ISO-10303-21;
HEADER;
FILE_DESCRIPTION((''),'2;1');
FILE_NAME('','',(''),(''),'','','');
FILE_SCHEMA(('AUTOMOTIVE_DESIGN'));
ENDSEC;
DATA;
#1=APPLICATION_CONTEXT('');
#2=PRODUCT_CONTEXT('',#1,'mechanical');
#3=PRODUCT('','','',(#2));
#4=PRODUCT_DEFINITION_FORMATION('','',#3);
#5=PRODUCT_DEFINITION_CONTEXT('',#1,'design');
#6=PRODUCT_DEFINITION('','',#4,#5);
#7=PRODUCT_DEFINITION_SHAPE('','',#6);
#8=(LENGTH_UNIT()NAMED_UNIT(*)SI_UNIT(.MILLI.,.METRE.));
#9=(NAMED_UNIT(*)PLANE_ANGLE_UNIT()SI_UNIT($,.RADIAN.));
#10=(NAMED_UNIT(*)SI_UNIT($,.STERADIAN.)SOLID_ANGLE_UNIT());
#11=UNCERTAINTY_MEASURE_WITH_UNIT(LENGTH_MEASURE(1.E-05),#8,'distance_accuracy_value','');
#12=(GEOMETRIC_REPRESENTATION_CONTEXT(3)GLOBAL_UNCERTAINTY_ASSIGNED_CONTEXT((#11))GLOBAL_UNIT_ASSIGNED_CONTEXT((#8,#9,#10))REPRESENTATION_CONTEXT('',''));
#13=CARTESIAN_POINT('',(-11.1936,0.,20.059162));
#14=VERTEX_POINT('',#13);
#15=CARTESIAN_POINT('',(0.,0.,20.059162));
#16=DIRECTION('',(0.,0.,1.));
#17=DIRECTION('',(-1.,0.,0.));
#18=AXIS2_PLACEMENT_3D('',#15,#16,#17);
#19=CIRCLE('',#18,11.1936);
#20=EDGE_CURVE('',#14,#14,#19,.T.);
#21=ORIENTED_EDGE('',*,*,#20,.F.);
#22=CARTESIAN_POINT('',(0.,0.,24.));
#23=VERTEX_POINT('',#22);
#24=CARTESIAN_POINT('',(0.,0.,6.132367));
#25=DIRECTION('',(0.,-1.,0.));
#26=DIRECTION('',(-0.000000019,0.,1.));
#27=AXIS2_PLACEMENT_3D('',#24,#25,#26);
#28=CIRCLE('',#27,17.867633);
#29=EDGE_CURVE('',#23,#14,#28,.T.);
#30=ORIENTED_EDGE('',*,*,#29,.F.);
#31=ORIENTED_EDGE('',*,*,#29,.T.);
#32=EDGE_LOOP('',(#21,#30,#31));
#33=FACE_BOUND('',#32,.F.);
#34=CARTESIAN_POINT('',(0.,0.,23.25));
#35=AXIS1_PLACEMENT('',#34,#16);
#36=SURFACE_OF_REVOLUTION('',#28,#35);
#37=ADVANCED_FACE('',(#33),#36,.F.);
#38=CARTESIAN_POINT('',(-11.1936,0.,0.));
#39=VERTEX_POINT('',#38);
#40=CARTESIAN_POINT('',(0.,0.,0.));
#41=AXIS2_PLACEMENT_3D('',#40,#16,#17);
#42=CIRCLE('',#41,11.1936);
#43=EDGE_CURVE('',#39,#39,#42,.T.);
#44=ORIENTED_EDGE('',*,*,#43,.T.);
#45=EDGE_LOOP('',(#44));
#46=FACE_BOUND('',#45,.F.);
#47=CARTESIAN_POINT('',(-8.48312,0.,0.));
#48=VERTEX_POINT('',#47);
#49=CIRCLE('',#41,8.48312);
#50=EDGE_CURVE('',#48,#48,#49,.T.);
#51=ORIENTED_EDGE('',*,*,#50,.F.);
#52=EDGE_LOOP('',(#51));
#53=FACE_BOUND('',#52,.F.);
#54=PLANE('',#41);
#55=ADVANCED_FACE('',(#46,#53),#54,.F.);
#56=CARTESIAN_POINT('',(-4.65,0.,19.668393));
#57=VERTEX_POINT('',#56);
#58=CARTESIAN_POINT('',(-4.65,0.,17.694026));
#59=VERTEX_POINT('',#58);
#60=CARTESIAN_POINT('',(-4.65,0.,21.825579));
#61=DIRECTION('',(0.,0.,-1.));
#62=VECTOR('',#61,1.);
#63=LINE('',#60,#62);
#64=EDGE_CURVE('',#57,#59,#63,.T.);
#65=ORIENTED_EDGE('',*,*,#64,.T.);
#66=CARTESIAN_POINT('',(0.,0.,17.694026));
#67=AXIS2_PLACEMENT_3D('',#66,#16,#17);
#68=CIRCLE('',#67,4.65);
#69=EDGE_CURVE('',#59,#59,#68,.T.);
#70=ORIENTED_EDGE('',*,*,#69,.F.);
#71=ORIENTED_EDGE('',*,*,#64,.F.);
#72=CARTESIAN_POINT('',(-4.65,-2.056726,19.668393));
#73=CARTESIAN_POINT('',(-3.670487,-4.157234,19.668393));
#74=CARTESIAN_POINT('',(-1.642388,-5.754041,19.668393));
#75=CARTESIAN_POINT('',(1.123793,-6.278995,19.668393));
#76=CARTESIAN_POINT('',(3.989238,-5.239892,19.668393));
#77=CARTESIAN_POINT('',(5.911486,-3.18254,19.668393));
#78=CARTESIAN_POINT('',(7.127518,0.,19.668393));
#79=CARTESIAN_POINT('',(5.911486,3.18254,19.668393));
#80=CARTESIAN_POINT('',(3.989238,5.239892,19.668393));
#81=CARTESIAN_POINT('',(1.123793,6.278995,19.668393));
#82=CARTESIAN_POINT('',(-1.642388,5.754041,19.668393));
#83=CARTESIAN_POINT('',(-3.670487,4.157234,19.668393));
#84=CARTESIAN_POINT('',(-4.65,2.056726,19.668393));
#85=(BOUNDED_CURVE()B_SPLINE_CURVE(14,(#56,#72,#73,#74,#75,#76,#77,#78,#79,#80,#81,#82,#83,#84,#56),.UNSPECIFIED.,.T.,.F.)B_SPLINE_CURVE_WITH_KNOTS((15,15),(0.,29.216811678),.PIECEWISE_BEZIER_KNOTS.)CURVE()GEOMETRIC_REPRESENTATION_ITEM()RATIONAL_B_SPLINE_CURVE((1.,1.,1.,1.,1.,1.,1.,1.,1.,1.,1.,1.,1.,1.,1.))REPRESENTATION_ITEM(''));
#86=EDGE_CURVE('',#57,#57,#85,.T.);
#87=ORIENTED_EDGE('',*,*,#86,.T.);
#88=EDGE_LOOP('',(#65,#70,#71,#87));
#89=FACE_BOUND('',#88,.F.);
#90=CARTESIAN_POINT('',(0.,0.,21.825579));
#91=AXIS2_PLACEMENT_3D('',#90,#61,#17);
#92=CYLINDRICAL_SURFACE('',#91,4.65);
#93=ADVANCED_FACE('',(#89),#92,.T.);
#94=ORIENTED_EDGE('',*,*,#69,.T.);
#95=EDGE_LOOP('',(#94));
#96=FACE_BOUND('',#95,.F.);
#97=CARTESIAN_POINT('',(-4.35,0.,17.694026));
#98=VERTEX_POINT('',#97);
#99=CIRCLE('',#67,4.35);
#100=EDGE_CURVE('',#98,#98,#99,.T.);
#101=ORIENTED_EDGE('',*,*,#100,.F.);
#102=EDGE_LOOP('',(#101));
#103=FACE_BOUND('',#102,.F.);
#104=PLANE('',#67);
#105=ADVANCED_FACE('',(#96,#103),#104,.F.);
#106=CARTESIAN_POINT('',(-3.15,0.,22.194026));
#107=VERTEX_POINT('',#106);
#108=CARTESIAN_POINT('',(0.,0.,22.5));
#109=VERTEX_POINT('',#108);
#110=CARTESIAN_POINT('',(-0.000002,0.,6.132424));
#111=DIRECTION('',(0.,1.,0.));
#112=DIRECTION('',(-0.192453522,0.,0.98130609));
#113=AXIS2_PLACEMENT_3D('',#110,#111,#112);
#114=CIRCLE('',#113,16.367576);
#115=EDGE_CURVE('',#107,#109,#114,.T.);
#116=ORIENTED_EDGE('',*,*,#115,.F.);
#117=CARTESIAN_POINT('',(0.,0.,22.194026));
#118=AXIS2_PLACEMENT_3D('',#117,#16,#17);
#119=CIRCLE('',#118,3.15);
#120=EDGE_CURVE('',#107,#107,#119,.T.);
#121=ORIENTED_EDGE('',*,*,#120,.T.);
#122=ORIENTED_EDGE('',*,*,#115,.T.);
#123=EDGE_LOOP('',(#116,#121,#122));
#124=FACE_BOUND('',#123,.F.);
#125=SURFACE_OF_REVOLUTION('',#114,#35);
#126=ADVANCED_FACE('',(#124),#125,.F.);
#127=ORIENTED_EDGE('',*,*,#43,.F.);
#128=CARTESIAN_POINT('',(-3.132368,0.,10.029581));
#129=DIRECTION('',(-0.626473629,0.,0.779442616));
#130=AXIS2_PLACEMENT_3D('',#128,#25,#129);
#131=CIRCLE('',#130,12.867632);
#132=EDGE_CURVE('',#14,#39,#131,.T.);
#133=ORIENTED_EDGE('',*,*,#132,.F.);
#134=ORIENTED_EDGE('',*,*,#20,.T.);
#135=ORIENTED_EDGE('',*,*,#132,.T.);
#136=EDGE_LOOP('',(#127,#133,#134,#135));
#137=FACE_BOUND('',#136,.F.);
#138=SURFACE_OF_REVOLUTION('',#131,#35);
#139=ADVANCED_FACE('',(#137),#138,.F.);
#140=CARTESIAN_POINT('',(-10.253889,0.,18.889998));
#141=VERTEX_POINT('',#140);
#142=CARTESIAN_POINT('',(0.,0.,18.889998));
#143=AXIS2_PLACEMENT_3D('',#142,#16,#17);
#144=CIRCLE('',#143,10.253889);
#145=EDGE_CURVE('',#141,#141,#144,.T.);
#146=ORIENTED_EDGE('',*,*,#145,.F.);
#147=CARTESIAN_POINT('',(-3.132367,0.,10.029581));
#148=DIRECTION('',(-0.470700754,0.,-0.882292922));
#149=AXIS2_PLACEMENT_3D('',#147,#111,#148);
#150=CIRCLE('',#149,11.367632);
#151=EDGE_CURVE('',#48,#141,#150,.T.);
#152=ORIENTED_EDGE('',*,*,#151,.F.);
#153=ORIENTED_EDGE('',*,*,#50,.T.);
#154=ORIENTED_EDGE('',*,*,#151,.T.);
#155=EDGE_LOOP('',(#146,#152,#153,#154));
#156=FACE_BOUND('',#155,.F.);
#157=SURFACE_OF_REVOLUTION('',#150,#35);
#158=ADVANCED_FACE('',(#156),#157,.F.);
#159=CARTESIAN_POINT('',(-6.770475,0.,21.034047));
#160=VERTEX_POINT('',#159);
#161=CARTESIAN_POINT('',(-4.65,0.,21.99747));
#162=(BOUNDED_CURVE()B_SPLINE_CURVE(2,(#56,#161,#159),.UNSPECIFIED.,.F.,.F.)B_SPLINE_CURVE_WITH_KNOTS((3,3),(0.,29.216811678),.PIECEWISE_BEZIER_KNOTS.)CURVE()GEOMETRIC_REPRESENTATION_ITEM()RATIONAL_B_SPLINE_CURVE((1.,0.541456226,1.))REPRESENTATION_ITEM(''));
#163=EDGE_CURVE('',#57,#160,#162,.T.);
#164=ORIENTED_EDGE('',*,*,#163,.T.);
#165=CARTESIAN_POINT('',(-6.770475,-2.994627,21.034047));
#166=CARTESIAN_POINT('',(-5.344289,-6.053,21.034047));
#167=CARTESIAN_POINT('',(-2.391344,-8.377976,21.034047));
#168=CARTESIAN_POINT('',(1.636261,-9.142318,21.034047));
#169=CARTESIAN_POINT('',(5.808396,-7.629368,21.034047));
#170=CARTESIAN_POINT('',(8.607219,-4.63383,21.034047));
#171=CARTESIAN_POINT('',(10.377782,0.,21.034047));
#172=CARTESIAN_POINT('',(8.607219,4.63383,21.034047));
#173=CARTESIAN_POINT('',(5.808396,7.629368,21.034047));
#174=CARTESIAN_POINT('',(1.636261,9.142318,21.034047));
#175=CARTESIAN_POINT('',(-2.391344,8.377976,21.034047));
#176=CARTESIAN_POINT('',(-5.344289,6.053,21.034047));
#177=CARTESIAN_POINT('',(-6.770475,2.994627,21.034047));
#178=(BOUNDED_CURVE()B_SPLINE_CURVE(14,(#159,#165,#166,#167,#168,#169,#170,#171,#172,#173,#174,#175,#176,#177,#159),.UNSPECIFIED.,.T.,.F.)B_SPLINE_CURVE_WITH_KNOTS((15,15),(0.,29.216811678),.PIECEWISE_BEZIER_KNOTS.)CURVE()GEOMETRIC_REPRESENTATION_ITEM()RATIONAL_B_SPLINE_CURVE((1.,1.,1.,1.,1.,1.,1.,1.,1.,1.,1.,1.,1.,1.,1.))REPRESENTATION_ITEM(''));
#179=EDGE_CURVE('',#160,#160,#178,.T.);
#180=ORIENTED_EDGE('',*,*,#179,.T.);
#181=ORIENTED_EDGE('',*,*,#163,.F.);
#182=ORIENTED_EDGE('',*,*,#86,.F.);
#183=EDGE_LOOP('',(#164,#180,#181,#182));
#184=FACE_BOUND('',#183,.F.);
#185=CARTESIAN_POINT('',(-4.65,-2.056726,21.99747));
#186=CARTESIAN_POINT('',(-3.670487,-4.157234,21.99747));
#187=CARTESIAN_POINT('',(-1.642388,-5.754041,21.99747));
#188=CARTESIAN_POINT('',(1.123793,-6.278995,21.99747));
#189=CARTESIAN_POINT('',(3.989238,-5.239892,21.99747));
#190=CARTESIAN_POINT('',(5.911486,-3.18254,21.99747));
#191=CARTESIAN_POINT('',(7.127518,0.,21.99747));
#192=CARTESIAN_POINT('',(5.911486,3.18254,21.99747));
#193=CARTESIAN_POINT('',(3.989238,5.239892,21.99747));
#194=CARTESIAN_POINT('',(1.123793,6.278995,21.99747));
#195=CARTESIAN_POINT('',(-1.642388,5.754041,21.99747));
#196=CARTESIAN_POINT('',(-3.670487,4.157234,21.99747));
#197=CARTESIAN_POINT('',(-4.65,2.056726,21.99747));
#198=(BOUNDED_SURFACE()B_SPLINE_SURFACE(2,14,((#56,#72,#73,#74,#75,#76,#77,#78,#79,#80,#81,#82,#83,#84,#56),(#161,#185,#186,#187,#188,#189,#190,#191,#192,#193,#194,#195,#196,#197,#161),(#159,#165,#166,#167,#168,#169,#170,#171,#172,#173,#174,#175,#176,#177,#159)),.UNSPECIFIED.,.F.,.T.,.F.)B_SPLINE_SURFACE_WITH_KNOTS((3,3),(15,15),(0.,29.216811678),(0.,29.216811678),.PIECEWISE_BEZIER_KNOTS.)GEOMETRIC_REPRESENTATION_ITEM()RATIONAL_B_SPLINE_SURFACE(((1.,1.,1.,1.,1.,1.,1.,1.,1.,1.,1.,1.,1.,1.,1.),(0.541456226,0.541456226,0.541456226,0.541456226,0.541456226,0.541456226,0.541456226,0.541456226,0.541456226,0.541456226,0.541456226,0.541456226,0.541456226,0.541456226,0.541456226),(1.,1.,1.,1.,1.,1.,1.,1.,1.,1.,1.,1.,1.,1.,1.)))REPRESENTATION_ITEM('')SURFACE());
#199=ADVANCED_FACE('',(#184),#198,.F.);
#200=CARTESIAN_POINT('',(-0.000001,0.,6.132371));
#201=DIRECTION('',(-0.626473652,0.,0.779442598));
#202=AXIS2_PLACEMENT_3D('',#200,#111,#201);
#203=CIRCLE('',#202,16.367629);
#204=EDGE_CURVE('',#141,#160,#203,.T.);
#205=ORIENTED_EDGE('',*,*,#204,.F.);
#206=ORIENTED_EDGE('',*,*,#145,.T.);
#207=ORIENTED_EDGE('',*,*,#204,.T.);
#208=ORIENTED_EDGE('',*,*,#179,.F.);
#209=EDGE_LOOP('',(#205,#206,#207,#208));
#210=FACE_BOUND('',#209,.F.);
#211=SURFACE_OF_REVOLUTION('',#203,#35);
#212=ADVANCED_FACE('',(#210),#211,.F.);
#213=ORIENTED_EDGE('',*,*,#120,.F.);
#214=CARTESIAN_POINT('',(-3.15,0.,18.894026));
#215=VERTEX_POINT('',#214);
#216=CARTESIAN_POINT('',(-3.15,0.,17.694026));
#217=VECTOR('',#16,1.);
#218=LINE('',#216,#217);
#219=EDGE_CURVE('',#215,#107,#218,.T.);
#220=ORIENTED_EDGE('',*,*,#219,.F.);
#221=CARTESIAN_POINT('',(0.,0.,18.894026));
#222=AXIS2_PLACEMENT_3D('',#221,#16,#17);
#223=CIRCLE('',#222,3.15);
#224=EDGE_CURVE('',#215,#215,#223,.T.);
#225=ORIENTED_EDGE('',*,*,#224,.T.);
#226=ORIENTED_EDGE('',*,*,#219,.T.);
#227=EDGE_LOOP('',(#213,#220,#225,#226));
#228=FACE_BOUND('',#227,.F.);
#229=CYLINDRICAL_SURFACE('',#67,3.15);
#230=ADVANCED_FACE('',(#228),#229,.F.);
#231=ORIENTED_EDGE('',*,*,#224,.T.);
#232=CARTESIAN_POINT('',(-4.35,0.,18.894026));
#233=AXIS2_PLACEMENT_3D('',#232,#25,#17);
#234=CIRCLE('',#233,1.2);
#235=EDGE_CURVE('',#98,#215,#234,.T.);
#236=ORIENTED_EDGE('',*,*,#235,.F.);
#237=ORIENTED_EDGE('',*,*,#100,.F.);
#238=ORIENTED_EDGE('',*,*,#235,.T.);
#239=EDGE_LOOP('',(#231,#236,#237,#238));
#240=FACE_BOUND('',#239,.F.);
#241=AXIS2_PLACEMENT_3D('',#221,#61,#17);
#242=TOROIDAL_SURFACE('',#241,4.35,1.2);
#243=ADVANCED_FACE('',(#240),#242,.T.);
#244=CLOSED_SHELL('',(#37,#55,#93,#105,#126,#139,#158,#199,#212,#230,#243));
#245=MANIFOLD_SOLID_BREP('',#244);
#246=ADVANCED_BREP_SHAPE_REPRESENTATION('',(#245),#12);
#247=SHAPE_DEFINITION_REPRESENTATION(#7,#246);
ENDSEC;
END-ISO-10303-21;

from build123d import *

# Parameters (mm, degrees)
F2_R = 1.2
F3_R = 1.5


with BuildPart() as f1:
    # F0 (on Front) → F1 (revolve)
    with BuildSketch(Plane.XZ):
        with BuildLine():
            ThreePointArc((-3.15, 22.194026), (-3.904349, 22.027506), (-4.65, 21.825579))
            Line((-4.65, 21.825579), (-4.65, 17.694026))
            Line((-4.65, 17.694026), (-3.15, 17.694026))
            Line((-3.15, 17.694026), (-3.15, 22.194026))
        make_face()
        with BuildLine():
            ThreePointArc((-10.253889, 18.889998), (-7.595122, 20.631109), (-4.65, 21.825579))
            ThreePointArc((-4.65, 21.825579), (-3.904349, 22.027506), (-3.15, 22.194026))
            ThreePointArc((-3.15, 22.194026), (-1.582413, 22.423327), (0, 22.5))
            Line((0, 22.5), (0, 24))
            ThreePointArc((0, 24), (-5.933525, 22.986019), (-11.1936, 20.059162))
            ThreePointArc((-11.1936, 20.059162), (-16, 10.029581), (-11.1936, 0))
            Line((-11.1936, 0), (-8.48312, 0))
            ThreePointArc((-8.48312, 0), (-14.45038, 8.968619), (-10.253889, 18.889998))
        make_face()
    revolve(axis=Axis((0, 0, 23.25), (0, 0, 1)))

    # F2
    f2_edges = [f1.edges().sort_by_distance(p)[0] for p in [
        (3.15, 0, 17.694026),
    ]]
    fillet(f2_edges, radius=F2_R)

    # F3
    f3_edges = [f1.edges().sort_by_distance(p)[0] for p in [
        (4.65, 0, 21.825579),
    ]]
    fillet(f3_edges, radius=F3_R)


solid = f1.part
